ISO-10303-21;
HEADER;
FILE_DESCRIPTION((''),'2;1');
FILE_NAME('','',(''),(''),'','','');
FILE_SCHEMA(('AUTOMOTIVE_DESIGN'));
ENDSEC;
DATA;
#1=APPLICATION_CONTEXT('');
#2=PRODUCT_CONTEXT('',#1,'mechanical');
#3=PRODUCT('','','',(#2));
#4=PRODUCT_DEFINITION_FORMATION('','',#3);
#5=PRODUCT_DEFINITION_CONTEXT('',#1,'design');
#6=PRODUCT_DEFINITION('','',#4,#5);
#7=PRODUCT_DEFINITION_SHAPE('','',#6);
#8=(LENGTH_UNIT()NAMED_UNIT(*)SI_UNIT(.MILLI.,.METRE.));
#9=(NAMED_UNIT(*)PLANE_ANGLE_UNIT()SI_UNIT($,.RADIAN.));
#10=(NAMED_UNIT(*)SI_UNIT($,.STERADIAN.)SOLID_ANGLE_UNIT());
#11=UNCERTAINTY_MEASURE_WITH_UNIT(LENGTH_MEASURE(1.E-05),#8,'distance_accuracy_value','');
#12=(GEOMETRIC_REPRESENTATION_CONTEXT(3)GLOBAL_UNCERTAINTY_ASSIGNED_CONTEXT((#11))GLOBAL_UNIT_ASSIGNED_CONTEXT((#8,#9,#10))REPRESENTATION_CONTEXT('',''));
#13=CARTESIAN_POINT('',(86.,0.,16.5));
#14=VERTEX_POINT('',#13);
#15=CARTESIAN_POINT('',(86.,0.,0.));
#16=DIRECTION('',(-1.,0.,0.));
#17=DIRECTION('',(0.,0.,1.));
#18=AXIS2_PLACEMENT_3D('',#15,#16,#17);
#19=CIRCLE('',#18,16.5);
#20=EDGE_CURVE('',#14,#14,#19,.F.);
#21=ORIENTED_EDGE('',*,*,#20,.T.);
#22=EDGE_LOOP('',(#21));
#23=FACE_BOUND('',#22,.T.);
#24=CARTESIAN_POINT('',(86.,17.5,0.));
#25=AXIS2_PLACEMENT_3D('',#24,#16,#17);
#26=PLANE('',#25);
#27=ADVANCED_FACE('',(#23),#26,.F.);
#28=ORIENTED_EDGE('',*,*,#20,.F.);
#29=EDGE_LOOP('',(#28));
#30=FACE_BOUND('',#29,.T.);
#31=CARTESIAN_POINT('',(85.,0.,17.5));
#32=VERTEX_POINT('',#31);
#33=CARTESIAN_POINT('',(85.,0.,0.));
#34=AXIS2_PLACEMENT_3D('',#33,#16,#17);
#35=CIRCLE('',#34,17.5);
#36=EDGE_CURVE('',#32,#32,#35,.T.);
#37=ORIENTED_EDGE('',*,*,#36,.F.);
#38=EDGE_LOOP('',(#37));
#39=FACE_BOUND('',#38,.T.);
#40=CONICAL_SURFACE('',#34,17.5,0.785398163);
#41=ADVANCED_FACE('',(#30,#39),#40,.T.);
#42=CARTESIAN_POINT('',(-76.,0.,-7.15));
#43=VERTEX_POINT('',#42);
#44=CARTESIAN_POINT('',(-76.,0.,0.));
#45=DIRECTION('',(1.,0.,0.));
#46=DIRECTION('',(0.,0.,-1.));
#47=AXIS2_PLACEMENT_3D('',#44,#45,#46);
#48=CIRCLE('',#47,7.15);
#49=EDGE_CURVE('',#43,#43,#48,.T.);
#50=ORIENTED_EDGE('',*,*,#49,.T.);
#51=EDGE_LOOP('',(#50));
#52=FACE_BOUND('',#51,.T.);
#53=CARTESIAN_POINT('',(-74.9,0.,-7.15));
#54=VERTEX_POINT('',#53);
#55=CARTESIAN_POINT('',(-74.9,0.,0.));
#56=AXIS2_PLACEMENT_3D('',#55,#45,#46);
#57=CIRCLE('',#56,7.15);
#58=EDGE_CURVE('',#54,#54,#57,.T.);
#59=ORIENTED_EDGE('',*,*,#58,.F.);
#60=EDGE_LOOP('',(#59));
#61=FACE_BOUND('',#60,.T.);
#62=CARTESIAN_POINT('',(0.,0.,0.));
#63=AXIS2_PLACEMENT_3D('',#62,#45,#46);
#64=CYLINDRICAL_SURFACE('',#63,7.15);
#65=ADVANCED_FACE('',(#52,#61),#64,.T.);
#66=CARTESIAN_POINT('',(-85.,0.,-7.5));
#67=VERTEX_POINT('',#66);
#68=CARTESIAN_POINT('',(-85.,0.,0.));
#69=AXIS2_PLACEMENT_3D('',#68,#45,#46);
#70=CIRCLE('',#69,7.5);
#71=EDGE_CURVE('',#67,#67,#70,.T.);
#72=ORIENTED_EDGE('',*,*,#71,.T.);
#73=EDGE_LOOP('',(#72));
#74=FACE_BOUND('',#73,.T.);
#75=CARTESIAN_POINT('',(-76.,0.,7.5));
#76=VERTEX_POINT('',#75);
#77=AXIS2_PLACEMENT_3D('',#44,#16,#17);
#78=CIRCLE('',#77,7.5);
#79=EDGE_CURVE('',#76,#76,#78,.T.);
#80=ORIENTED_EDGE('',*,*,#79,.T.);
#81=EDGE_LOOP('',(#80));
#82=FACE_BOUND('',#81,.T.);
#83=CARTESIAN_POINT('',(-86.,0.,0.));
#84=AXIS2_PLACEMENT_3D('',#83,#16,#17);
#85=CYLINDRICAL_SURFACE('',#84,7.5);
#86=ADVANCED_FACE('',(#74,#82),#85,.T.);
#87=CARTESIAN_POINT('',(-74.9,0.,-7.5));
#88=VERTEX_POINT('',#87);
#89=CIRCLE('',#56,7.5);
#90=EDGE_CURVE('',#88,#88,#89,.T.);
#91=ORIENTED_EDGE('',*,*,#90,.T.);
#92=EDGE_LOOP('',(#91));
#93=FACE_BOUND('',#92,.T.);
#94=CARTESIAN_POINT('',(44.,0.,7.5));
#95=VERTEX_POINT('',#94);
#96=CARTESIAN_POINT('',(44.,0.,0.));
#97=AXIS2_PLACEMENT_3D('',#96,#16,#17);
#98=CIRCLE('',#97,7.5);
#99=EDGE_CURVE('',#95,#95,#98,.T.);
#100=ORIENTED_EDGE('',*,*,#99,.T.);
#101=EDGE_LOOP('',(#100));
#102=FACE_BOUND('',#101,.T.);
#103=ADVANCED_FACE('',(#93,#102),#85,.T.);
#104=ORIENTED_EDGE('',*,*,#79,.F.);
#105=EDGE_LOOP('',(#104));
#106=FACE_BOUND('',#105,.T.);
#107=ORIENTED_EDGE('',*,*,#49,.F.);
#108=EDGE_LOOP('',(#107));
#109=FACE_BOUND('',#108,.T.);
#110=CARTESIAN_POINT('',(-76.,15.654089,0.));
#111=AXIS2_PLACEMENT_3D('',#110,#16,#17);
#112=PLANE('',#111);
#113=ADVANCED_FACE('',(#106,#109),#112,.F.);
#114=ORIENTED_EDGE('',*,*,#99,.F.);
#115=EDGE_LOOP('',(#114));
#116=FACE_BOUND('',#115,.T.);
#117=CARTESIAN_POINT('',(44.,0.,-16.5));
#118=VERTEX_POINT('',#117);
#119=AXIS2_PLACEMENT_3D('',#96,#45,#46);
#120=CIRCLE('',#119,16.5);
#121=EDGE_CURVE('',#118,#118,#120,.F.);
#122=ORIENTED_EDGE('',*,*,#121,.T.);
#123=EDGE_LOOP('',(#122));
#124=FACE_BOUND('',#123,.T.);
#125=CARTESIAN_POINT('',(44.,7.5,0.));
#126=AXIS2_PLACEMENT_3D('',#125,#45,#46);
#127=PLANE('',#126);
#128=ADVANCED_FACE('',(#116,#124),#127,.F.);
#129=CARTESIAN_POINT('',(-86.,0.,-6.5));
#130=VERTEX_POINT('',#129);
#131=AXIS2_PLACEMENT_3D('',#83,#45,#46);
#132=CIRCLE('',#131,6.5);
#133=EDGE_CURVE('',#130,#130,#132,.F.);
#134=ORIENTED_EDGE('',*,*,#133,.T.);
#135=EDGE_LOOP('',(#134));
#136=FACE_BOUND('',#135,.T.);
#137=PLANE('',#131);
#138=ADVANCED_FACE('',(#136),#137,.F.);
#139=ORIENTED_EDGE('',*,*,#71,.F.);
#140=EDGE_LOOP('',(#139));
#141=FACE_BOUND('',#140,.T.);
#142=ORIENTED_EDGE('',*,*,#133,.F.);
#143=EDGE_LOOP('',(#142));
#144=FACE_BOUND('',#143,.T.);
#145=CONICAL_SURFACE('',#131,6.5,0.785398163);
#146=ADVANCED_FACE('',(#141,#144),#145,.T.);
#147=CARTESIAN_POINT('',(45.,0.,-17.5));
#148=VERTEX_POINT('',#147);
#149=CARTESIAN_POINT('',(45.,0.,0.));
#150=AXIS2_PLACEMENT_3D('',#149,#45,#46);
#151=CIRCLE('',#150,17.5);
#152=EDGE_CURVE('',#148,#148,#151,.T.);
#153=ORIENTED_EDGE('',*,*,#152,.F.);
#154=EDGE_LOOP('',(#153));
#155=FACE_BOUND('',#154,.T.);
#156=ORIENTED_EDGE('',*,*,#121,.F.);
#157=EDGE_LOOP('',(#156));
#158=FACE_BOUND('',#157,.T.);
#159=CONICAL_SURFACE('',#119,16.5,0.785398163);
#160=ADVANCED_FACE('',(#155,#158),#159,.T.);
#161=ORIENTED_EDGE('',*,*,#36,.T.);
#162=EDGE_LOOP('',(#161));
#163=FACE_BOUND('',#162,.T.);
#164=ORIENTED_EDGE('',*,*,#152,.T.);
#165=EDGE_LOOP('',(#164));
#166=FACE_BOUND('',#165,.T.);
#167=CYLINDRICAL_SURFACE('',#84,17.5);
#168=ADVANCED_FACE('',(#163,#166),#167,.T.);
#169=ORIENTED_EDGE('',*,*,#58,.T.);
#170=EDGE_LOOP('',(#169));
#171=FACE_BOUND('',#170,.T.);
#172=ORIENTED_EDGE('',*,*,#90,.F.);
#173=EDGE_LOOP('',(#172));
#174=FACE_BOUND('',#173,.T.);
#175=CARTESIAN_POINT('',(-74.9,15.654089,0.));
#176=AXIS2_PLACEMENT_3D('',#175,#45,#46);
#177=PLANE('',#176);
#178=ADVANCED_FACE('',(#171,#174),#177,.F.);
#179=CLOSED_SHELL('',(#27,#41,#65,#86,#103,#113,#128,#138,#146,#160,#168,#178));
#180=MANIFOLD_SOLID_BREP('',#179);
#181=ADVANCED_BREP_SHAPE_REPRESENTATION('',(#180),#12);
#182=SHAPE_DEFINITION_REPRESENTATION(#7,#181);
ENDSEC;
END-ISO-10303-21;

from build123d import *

# Parameters (mm, degrees)
CHANFREIN1_SIZE = 1
ESQUISSE2_W     = 1.1
ESQUISSE2_H     = 8.504088504


with BuildPart() as part:
    # Esquisse1 → Révolution1 (revolve)
    with BuildSketch(Plane.XY, mode=Mode.PRIVATE) as r_volution1_sk:
        Polygon((-86, 0), (-86, 7.5), (44, 7.5), (44, 17.5), (86, 17.5), (86, 0), align=None)
    revolve(r_volution1_sk.sketch.rotate(Axis((-86, 0, 0), (1, 0, 0)), 90), axis=Axis((-86, 0, 0), (1, 0, 0)))  # turned: the seam where the file's is

    # Chanfrein1
    chanfrein1_edges = [part.edges().sort_by_distance(p)[0] for p in [
        (86, 0, -17.5),
        (44, 0, -17.5),
        (-86, 0, -7.5),
    ]]
    chamfer(chanfrein1_edges, length=CHANFREIN1_SIZE)

    # Esquisse2 → Enlèvement de matière-Révolution1 (revolve, cut)
    with BuildSketch(Plane.XY, mode=Mode.PRIVATE) as enl_vement_de_mati_re_r_volution1_sk:
        with Locations((-75.45, 11.402044252)):
            Rectangle(ESQUISSE2_W, ESQUISSE2_H)
    revolve(enl_vement_de_mati_re_r_volution1_sk.sketch.rotate(Axis((0, 0, 0), (-1, 0, 0)), 270), axis=Axis((0, 0, 0), (-1, 0, 0)), mode=Mode.SUBTRACT)  # turned: the seam where the file's is


solid = part.part
